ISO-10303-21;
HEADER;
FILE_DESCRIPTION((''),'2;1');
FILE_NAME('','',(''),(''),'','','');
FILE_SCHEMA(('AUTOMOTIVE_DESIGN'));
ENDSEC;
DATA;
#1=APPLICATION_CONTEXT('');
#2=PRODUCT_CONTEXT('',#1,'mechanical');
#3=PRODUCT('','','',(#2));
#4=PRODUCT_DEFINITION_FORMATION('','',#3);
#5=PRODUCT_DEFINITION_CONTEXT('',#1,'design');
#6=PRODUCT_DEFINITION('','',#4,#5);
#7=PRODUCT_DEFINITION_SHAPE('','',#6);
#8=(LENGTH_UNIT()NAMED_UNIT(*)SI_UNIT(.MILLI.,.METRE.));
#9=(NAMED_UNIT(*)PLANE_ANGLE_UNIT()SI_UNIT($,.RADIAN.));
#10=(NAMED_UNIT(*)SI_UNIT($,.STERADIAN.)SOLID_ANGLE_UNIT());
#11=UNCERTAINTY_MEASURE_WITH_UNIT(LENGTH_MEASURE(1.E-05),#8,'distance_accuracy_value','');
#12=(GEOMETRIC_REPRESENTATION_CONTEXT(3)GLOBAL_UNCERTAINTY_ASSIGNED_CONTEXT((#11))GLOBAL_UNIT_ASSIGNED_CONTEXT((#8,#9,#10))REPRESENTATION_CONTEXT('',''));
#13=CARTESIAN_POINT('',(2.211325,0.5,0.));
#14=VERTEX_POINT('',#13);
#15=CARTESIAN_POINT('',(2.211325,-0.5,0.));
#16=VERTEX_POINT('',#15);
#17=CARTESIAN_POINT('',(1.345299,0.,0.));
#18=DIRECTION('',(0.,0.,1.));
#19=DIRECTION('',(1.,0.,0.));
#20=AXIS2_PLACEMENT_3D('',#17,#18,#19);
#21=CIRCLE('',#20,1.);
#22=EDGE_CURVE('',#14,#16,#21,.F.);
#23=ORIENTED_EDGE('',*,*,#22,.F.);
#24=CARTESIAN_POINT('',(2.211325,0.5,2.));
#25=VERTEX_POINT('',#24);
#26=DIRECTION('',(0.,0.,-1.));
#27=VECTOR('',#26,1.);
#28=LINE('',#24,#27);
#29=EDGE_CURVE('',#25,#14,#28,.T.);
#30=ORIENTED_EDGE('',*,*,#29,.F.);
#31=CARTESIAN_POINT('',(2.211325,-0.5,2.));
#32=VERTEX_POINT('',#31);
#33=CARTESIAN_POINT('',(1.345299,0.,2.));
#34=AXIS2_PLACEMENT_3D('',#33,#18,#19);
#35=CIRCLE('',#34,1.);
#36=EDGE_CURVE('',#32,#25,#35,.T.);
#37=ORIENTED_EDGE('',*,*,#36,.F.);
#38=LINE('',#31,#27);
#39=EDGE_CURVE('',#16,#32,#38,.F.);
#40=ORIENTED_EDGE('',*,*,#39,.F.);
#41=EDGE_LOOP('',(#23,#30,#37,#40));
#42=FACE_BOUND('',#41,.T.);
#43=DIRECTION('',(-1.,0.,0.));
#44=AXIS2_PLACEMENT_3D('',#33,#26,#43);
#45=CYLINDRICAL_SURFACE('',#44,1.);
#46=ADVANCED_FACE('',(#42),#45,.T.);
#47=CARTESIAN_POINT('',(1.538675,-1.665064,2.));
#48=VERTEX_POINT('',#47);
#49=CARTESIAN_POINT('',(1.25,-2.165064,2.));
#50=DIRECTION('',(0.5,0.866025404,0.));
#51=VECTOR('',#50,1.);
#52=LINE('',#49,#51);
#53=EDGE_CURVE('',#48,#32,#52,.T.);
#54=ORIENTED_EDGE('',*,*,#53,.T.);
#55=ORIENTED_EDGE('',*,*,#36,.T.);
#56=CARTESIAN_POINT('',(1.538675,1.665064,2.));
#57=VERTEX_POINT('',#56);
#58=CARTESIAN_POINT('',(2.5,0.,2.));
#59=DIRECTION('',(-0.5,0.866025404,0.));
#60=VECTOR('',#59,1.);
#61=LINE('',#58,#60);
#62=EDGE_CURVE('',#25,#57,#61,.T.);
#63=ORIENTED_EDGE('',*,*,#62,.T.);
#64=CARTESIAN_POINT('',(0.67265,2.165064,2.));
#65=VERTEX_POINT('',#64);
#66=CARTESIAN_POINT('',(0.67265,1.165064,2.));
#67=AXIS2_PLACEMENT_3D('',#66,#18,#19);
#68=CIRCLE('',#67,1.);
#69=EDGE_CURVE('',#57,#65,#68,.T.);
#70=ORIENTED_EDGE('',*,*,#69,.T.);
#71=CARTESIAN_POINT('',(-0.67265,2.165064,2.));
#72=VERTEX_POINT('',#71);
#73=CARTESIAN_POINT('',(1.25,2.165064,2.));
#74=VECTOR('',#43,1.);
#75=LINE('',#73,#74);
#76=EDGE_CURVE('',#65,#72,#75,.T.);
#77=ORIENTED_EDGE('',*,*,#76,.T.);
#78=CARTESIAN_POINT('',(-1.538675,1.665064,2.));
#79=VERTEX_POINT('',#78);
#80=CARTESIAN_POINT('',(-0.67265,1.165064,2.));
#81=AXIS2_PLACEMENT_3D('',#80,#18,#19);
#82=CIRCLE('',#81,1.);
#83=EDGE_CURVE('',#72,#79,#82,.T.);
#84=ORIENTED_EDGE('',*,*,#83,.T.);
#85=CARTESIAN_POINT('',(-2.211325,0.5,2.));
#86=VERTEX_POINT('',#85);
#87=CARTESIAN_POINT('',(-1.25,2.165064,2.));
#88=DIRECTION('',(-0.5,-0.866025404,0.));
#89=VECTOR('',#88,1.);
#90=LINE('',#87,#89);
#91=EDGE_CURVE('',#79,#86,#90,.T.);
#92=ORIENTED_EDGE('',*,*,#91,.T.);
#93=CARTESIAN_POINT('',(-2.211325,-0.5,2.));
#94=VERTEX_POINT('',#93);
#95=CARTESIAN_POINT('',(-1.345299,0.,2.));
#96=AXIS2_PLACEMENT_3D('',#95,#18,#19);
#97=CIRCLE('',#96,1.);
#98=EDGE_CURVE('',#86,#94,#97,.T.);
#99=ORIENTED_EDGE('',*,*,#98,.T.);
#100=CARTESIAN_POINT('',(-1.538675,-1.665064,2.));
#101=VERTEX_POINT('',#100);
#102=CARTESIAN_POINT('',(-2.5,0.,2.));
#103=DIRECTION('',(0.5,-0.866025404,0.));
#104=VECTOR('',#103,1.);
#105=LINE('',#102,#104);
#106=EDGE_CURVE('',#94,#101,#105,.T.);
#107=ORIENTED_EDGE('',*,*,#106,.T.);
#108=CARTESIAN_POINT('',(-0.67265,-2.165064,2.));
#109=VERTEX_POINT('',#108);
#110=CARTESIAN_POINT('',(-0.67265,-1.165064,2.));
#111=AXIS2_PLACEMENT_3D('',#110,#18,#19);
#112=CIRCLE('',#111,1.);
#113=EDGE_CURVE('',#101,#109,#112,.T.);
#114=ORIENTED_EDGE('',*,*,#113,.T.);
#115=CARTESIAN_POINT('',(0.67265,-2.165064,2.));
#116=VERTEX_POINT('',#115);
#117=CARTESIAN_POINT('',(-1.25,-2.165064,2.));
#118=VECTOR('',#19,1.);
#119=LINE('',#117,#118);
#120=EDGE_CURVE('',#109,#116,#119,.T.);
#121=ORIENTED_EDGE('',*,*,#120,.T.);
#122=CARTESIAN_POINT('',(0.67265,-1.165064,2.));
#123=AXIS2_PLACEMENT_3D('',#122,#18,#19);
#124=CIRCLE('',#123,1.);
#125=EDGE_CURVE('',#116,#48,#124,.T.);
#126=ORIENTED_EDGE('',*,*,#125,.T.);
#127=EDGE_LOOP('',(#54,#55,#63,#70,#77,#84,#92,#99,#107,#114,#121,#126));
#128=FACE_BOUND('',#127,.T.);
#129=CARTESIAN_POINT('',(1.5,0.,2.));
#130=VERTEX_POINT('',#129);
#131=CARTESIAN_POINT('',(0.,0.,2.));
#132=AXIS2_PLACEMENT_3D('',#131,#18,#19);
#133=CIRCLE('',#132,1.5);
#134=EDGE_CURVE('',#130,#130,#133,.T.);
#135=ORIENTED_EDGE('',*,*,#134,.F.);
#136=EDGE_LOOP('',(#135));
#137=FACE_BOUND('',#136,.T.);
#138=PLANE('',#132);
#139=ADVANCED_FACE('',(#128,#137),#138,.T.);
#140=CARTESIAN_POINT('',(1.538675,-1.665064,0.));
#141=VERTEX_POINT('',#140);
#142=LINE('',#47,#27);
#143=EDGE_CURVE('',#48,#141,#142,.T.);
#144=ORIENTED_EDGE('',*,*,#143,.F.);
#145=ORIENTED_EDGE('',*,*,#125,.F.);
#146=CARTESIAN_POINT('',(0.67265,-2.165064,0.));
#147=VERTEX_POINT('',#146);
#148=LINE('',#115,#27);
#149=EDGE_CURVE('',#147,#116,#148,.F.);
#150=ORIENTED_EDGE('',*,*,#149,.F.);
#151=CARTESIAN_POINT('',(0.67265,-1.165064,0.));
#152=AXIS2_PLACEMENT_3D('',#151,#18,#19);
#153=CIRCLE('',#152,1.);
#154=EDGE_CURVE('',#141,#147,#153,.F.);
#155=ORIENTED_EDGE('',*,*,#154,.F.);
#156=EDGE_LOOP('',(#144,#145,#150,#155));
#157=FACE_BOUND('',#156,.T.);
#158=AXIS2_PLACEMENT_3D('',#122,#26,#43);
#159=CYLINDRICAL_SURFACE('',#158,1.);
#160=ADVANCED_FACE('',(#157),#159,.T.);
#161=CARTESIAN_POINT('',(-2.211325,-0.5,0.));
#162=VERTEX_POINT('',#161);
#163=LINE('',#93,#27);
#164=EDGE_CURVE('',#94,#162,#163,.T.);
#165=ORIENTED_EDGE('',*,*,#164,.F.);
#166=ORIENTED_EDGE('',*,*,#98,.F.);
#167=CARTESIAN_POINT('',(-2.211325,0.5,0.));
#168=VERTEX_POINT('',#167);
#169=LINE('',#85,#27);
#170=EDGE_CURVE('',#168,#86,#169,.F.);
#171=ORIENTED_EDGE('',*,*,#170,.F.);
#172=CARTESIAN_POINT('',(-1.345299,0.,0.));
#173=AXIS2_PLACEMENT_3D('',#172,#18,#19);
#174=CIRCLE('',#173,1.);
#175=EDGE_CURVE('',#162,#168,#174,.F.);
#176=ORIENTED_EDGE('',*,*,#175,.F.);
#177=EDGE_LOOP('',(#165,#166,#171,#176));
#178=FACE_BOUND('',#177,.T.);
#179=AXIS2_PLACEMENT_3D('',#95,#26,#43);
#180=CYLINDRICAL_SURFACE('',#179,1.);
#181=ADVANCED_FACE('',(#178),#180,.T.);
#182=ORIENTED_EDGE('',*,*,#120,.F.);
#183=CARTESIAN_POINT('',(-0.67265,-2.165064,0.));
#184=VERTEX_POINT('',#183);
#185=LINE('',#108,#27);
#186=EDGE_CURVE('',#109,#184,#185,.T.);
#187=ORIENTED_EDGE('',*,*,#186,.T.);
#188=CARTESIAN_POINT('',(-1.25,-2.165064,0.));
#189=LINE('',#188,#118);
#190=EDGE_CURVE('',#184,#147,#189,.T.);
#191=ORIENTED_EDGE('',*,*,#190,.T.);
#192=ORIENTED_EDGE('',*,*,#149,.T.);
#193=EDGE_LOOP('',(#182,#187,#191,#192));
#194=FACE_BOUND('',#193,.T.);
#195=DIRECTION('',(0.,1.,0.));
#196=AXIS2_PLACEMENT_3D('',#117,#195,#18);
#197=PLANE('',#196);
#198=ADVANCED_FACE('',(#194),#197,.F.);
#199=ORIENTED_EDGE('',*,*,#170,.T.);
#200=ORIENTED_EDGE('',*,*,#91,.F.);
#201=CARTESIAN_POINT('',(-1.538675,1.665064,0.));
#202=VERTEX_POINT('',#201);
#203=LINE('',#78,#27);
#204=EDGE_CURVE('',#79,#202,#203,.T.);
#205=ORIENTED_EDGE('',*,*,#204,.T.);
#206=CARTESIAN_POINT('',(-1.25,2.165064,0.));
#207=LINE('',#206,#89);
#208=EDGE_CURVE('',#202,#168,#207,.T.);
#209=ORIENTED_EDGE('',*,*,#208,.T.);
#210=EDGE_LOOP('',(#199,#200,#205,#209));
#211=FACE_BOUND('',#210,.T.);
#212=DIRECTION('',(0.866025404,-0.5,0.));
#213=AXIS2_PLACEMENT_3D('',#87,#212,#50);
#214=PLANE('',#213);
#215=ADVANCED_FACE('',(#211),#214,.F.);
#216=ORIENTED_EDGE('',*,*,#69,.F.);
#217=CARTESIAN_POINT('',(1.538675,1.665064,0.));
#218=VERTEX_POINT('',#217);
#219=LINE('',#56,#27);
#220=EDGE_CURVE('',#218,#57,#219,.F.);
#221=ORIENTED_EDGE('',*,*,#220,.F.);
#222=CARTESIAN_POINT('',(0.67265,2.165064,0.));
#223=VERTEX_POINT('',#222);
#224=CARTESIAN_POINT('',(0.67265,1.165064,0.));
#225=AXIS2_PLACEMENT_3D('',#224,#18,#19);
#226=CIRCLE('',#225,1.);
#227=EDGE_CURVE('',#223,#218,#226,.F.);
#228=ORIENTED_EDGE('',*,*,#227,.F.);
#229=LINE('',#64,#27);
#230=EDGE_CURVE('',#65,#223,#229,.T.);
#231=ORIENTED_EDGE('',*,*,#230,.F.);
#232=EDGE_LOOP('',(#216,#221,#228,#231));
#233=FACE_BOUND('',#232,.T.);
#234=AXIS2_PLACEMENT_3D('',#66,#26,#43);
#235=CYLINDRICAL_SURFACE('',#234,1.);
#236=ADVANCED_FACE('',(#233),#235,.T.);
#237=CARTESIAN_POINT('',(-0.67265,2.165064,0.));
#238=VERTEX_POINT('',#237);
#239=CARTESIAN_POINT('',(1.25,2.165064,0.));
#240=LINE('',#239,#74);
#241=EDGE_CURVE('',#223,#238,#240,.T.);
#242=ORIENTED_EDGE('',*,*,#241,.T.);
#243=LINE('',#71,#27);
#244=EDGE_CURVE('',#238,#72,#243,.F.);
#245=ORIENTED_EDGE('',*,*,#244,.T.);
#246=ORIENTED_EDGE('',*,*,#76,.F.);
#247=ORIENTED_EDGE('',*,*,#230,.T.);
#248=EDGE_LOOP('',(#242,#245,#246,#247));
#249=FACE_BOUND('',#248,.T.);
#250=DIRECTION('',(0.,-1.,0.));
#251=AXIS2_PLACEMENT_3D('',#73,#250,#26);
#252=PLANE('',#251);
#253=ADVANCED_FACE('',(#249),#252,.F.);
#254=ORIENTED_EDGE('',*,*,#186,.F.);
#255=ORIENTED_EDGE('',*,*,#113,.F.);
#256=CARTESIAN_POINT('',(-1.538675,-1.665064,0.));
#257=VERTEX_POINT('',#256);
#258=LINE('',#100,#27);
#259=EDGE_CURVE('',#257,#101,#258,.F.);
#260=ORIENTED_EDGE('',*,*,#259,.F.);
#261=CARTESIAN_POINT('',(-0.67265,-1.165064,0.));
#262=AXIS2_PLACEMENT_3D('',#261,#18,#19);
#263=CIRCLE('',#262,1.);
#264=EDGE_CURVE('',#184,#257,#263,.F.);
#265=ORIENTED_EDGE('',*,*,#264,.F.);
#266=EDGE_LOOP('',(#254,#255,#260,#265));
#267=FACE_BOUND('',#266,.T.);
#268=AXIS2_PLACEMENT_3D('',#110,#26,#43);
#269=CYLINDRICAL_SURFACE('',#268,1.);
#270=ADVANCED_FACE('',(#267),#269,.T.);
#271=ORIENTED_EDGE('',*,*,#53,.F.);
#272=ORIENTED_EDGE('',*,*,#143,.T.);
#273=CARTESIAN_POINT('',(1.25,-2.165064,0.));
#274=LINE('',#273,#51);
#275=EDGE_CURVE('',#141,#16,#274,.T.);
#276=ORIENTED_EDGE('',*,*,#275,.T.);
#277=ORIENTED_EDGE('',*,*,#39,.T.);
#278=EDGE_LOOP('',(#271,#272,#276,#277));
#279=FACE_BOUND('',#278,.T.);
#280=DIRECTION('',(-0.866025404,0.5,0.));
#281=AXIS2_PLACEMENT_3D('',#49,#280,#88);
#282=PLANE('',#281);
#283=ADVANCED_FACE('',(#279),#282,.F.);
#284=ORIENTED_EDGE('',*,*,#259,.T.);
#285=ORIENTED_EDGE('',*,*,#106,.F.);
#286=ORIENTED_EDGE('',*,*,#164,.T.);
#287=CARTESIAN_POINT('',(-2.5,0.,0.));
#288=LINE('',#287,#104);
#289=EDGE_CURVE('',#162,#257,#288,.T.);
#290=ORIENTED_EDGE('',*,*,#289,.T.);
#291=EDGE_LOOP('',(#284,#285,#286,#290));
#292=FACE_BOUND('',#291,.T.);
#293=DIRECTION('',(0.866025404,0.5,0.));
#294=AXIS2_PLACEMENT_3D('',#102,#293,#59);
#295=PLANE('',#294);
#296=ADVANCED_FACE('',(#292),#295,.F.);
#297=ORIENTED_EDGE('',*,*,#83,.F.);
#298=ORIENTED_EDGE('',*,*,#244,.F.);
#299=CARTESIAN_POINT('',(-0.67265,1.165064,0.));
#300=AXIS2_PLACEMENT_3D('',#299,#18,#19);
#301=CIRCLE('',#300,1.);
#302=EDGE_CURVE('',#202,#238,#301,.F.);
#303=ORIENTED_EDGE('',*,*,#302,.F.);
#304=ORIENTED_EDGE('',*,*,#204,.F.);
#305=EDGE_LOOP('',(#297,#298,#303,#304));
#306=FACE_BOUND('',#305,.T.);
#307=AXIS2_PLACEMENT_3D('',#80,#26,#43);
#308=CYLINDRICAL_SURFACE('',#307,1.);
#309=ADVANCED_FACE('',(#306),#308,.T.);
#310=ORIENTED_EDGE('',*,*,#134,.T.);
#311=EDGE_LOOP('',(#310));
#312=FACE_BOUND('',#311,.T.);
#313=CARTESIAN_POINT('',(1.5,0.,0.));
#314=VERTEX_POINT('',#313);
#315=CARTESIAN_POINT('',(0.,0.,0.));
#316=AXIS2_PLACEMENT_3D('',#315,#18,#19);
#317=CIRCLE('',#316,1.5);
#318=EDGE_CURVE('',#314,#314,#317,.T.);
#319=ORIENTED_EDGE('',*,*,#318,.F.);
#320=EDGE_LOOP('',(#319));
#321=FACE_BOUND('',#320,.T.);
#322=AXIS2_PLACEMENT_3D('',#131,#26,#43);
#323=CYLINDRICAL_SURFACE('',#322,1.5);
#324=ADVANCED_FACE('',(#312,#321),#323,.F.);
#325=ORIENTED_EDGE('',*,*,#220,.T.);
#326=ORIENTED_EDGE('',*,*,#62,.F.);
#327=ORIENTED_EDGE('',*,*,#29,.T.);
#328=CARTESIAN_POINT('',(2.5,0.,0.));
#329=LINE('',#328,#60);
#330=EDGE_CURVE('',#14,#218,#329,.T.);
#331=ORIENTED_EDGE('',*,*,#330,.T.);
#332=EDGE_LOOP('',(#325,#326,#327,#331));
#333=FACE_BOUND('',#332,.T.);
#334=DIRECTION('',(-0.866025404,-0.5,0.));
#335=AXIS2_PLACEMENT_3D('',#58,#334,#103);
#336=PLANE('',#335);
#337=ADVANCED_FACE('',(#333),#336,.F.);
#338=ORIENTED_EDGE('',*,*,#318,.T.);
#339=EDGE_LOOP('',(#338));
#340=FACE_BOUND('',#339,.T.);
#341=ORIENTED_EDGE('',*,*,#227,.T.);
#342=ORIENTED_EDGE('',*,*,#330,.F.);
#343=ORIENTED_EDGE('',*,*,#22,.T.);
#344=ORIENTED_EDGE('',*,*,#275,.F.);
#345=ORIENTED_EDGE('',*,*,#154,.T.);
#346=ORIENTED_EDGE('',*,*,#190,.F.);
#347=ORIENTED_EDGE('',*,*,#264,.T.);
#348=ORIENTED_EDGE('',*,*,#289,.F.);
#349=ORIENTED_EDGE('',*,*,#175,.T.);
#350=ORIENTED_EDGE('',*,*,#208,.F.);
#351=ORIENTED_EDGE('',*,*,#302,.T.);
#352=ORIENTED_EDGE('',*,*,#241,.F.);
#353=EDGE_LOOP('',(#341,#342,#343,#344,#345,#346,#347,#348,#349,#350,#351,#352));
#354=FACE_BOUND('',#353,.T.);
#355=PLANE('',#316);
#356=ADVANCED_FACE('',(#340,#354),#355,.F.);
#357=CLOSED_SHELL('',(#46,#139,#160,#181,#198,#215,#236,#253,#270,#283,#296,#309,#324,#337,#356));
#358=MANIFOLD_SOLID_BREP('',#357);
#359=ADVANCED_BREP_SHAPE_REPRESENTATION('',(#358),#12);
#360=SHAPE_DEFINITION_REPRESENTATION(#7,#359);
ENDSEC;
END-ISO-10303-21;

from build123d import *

# Parameters (mm, degrees)
CROQUIS1_R              = 1.5
SALIENTE_EXTRUIR1_DEPTH = 2
REDONDEO1_R             = 1


with BuildPart() as part:
    # Croquis1 → Saliente-Extruir1 (new body)
    with BuildSketch(Plane.XY):
        Polygon((1.25, 2.165063509), (-1.25, 2.165063509), (-2.5, 0), (-1.25, -2.165063509), (1.25, -2.165063509), (2.5, 0), align=None)
        Circle(CROQUIS1_R, mode=Mode.SUBTRACT)
    extrude(amount=SALIENTE_EXTRUIR1_DEPTH)

    # Redondeo1
    redondeo1_edges = [part.edges().sort_by_distance(p)[0] for p in [
        (2.5, 0, 1),
        (1.25, -2.165063509, 1),
        (-1.25, -2.165063509, 1),
        (-2.5, 0, 1),
        (-1.25, 2.165063509, 1),
        (1.25, 2.165063509, 1),
    ]]
    fillet(redondeo1_edges, radius=REDONDEO1_R)


solid = part.part
